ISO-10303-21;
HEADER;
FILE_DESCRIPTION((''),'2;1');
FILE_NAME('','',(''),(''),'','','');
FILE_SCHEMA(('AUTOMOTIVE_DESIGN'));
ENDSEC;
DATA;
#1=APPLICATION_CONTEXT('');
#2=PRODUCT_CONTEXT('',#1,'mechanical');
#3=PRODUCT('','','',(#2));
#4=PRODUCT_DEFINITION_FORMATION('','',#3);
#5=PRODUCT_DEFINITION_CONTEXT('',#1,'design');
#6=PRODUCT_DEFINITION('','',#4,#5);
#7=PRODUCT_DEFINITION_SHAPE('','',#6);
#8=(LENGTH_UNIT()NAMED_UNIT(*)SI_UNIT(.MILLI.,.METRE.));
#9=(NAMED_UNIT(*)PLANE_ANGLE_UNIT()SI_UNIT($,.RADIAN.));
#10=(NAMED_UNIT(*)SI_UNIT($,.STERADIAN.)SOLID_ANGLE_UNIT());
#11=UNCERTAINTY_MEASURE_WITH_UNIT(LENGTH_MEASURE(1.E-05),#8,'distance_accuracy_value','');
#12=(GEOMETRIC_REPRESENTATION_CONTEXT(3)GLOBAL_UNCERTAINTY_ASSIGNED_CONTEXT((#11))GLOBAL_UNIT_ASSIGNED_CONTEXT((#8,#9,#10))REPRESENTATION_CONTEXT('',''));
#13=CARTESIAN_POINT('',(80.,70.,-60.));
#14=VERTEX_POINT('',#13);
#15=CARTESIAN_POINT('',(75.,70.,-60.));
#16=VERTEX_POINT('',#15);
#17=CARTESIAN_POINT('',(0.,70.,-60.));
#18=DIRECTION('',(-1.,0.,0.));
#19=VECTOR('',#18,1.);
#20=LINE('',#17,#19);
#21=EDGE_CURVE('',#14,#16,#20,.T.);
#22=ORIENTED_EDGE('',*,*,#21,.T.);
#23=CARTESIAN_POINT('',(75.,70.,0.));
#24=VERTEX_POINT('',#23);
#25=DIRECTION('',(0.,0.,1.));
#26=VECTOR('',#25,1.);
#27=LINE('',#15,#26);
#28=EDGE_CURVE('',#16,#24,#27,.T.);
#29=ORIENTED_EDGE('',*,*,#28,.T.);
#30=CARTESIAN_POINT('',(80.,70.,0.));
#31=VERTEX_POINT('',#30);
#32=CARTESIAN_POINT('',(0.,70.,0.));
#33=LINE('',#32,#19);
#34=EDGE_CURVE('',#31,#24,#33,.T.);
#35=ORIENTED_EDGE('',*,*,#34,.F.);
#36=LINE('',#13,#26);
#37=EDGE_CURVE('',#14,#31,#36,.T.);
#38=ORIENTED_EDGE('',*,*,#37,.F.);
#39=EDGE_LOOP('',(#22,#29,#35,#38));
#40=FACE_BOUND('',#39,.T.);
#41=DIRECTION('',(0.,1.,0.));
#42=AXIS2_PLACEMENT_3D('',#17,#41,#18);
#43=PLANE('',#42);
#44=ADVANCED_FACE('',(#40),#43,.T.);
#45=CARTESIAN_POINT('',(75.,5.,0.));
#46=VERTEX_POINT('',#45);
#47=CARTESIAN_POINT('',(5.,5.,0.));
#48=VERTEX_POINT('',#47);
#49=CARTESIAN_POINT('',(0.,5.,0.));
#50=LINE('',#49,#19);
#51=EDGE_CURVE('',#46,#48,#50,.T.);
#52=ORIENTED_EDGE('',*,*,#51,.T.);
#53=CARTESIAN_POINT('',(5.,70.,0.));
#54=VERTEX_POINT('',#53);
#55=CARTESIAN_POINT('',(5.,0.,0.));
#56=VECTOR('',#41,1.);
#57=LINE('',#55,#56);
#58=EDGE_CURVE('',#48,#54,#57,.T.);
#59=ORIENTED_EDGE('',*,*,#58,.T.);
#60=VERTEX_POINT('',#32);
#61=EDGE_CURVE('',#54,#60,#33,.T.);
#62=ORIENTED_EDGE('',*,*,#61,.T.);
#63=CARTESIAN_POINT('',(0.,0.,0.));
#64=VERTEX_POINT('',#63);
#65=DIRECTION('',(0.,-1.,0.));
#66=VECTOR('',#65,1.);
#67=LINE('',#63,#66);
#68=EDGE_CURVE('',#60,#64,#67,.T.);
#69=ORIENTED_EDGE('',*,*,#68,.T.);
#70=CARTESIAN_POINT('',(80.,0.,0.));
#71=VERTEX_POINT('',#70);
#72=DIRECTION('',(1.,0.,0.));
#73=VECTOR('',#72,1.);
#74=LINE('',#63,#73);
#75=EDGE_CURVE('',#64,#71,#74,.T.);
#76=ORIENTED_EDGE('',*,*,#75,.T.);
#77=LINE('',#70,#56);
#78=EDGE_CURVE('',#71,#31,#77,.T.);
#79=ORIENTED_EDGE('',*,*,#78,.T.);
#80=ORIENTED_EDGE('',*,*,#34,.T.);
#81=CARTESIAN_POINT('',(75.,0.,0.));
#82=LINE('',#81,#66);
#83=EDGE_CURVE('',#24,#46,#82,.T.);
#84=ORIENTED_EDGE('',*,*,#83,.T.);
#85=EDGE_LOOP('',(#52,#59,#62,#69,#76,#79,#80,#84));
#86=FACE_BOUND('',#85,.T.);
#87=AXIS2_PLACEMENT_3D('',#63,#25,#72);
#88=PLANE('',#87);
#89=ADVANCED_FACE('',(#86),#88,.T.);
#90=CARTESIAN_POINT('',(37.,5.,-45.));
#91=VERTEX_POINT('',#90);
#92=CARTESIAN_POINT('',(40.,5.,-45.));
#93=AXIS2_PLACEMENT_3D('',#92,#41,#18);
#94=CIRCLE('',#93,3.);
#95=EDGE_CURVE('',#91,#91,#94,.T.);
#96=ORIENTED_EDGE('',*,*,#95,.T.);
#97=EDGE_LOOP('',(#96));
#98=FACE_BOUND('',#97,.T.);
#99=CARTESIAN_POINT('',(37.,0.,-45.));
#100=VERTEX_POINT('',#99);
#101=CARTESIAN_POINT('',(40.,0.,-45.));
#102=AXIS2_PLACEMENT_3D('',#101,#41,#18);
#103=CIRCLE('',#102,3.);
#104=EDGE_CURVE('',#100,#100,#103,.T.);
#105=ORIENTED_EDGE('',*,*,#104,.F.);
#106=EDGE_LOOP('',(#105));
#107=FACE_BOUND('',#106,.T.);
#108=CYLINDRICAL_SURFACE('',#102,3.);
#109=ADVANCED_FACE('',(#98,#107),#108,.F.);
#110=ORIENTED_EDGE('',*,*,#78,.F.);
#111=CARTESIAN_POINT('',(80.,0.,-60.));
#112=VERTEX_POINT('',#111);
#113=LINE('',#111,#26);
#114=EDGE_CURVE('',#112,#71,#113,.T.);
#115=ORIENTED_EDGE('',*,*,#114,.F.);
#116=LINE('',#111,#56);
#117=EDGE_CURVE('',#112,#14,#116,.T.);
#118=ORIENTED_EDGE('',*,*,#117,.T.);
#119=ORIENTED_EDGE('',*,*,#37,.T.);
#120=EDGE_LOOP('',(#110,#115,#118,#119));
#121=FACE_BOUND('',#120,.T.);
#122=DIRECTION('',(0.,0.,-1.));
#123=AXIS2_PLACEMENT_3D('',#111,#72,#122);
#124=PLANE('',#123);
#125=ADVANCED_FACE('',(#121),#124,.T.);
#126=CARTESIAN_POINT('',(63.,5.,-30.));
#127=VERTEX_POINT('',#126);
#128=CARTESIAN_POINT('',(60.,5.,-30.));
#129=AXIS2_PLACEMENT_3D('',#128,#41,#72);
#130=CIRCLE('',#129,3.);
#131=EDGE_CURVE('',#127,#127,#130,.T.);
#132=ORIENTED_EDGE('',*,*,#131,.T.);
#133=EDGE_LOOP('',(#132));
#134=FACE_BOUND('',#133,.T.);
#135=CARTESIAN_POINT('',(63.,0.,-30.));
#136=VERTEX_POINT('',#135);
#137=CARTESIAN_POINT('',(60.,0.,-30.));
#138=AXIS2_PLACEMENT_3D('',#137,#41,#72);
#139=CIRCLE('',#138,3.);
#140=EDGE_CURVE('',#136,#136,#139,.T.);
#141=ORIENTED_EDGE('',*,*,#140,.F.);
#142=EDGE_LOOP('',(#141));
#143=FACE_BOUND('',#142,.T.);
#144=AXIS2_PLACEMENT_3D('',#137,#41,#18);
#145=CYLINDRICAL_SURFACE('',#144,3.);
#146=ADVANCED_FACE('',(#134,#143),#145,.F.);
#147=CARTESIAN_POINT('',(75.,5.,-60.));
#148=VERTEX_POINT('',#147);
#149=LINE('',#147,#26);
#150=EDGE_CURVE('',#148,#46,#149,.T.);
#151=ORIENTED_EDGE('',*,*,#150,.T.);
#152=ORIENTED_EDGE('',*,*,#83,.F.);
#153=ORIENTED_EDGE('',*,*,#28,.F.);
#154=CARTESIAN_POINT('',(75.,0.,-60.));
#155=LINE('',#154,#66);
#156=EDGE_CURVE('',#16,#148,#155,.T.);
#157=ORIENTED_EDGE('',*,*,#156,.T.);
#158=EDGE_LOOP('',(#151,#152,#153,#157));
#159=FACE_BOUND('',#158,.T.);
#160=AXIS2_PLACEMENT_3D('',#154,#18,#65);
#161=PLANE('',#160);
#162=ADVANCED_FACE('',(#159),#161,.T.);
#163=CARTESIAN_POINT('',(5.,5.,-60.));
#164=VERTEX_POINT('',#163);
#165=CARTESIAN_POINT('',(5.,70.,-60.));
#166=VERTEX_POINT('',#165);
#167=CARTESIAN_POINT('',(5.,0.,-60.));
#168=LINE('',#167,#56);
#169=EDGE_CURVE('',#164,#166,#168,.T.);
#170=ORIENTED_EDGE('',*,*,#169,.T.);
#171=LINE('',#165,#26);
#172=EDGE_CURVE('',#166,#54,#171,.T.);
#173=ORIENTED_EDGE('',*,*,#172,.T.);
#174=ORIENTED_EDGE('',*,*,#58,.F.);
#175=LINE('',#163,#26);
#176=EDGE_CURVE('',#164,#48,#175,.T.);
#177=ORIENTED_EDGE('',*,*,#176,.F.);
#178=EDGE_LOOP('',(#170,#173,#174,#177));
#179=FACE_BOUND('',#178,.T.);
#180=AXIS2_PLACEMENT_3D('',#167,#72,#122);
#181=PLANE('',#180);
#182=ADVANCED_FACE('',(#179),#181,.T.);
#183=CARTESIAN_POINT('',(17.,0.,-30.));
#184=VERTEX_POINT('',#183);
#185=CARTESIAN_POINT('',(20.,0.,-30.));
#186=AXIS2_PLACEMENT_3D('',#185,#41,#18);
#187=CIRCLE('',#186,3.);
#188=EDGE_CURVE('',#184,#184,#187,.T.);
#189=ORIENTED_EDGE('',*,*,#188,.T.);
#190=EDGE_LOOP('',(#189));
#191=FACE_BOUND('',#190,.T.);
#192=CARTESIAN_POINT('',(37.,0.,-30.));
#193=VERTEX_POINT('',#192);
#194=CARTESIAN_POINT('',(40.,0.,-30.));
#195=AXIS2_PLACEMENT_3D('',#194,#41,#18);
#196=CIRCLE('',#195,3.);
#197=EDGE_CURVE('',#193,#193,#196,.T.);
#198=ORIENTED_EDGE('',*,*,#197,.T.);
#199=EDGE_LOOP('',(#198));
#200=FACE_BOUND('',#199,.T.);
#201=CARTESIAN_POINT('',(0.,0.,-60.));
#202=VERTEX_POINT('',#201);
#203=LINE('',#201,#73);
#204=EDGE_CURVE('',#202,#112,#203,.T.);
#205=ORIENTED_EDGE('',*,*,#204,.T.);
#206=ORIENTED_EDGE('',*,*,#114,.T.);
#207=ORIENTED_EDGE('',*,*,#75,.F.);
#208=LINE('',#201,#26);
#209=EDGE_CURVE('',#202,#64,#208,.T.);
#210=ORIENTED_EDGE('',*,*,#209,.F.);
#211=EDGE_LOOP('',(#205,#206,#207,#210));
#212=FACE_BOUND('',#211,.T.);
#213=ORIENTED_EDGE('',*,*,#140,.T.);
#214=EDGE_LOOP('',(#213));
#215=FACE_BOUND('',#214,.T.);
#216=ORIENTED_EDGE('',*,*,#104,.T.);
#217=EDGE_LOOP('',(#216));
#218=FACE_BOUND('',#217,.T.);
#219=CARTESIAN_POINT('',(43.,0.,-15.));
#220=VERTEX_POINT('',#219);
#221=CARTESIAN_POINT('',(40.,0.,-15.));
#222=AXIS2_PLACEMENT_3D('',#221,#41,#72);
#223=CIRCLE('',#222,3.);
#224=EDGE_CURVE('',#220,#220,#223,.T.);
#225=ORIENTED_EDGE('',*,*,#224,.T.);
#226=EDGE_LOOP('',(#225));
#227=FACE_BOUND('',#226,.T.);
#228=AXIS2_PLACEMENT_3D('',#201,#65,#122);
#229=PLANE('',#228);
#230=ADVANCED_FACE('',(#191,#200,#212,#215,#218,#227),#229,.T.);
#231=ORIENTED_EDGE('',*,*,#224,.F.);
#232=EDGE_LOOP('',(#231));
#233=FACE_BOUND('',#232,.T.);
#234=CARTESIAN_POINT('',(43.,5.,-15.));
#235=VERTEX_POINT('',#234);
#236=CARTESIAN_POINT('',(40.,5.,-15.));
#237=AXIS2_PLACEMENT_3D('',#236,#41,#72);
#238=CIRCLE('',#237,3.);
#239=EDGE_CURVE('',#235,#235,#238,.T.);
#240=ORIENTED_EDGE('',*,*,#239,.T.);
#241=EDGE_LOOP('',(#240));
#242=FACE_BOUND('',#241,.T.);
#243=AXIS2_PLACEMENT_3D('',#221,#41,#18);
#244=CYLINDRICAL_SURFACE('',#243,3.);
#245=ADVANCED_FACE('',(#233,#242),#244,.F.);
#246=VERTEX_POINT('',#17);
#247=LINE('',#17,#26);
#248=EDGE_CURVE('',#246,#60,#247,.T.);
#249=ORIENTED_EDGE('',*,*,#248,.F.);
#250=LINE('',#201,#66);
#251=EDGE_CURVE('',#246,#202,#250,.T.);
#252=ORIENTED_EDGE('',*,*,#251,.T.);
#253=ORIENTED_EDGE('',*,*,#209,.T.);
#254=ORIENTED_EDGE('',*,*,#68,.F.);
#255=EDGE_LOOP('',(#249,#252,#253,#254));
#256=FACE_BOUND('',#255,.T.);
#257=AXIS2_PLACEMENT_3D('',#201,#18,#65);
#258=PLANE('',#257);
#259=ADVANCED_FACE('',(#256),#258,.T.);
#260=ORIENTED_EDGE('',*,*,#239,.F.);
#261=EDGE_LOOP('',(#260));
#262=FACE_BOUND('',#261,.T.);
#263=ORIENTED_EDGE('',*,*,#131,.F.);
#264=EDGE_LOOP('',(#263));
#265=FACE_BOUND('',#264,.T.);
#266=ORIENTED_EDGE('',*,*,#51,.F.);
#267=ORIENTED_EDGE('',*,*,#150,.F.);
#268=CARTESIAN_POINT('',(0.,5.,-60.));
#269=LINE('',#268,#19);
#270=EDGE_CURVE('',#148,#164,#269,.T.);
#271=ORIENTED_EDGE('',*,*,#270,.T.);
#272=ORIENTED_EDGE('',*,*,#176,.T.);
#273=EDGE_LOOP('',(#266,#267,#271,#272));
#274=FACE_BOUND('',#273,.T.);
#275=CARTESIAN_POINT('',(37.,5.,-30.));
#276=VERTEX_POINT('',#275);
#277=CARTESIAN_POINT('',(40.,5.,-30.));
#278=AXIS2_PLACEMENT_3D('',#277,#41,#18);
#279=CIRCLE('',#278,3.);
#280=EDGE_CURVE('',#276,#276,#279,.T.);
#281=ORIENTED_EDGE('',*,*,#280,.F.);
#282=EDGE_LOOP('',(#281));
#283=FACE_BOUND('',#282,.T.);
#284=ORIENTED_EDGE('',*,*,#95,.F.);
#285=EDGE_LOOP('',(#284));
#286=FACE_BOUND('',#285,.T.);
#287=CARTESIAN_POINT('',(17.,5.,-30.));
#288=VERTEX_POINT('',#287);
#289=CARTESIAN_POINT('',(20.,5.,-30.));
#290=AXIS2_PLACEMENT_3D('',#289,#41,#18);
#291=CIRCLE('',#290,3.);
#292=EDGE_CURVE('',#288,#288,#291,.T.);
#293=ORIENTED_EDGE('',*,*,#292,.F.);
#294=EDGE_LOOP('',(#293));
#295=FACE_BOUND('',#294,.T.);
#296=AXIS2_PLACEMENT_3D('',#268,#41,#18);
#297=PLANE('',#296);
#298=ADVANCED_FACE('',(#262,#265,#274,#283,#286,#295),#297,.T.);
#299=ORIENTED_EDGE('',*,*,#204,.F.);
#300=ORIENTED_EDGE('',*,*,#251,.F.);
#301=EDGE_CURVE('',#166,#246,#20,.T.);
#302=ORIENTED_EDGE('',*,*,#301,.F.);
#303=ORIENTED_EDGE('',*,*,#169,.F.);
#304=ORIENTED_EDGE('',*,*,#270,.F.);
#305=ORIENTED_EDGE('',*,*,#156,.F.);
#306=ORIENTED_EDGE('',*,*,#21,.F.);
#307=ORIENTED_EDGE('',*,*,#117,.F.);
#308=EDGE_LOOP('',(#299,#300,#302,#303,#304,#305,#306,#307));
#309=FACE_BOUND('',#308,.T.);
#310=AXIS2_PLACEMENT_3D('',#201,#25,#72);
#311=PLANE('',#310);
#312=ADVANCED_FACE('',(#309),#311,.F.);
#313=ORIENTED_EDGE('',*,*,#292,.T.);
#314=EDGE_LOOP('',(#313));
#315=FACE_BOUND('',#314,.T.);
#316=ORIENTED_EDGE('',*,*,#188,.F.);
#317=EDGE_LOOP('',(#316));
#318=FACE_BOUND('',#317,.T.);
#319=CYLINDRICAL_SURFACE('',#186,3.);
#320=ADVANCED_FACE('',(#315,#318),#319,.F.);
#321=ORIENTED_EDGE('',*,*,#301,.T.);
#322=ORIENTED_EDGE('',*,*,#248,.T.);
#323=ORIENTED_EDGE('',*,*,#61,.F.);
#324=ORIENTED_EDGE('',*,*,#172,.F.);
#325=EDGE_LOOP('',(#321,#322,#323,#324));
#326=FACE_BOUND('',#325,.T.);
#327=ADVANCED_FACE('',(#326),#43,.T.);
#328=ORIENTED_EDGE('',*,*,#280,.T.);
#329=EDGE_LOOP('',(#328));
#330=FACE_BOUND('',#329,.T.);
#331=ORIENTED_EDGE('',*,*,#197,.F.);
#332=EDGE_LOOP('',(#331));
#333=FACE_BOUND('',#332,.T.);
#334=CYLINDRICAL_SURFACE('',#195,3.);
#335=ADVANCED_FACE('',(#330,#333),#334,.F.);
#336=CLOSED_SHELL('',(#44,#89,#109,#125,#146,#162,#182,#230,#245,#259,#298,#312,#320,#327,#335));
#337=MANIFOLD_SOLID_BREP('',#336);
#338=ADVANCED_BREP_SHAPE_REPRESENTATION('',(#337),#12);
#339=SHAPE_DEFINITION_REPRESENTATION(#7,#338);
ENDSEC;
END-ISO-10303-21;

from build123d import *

# Parameters (mm, degrees)
BOSS_EXTRUDE1_DEPTH = 60
SKETCH2_R           = 3
CUT_EXTRUDE1_DEPTH  = 120.268604419


with BuildPart() as part:
    # Sketch1 → Boss-Extrude1 (new body)
    with BuildSketch(Plane.XY):
        Polygon((0, 70), (0, 0), (80, 0), (80, 70), (75, 70), (75, 5), (5, 5), (5, 70), align=None)
    extrude(amount=-BOSS_EXTRUDE1_DEPTH)

    # Sketch2 → Cut-Extrude1 (cut, through all)
    with BuildSketch(Plane(origin=(0, 5, 0), x_dir=(1, 0, 0), z_dir=(0, 1, 0))):
        with Locations(Location((40, 30, 0), (0, 0, 180))):
            Circle(SKETCH2_R)
        with Locations(Location((20, 30, 0), (0, 0, 180))):
            Circle(SKETCH2_R)
        with Locations(Location((40, 45, 0), (0, 0, 180))):
            Circle(SKETCH2_R)
        with Locations((40, 15)):
            Circle(SKETCH2_R)
        with Locations((60, 30)):
            Circle(SKETCH2_R)
    extrude(amount=-CUT_EXTRUDE1_DEPTH, mode=Mode.SUBTRACT)


solid = part.part
